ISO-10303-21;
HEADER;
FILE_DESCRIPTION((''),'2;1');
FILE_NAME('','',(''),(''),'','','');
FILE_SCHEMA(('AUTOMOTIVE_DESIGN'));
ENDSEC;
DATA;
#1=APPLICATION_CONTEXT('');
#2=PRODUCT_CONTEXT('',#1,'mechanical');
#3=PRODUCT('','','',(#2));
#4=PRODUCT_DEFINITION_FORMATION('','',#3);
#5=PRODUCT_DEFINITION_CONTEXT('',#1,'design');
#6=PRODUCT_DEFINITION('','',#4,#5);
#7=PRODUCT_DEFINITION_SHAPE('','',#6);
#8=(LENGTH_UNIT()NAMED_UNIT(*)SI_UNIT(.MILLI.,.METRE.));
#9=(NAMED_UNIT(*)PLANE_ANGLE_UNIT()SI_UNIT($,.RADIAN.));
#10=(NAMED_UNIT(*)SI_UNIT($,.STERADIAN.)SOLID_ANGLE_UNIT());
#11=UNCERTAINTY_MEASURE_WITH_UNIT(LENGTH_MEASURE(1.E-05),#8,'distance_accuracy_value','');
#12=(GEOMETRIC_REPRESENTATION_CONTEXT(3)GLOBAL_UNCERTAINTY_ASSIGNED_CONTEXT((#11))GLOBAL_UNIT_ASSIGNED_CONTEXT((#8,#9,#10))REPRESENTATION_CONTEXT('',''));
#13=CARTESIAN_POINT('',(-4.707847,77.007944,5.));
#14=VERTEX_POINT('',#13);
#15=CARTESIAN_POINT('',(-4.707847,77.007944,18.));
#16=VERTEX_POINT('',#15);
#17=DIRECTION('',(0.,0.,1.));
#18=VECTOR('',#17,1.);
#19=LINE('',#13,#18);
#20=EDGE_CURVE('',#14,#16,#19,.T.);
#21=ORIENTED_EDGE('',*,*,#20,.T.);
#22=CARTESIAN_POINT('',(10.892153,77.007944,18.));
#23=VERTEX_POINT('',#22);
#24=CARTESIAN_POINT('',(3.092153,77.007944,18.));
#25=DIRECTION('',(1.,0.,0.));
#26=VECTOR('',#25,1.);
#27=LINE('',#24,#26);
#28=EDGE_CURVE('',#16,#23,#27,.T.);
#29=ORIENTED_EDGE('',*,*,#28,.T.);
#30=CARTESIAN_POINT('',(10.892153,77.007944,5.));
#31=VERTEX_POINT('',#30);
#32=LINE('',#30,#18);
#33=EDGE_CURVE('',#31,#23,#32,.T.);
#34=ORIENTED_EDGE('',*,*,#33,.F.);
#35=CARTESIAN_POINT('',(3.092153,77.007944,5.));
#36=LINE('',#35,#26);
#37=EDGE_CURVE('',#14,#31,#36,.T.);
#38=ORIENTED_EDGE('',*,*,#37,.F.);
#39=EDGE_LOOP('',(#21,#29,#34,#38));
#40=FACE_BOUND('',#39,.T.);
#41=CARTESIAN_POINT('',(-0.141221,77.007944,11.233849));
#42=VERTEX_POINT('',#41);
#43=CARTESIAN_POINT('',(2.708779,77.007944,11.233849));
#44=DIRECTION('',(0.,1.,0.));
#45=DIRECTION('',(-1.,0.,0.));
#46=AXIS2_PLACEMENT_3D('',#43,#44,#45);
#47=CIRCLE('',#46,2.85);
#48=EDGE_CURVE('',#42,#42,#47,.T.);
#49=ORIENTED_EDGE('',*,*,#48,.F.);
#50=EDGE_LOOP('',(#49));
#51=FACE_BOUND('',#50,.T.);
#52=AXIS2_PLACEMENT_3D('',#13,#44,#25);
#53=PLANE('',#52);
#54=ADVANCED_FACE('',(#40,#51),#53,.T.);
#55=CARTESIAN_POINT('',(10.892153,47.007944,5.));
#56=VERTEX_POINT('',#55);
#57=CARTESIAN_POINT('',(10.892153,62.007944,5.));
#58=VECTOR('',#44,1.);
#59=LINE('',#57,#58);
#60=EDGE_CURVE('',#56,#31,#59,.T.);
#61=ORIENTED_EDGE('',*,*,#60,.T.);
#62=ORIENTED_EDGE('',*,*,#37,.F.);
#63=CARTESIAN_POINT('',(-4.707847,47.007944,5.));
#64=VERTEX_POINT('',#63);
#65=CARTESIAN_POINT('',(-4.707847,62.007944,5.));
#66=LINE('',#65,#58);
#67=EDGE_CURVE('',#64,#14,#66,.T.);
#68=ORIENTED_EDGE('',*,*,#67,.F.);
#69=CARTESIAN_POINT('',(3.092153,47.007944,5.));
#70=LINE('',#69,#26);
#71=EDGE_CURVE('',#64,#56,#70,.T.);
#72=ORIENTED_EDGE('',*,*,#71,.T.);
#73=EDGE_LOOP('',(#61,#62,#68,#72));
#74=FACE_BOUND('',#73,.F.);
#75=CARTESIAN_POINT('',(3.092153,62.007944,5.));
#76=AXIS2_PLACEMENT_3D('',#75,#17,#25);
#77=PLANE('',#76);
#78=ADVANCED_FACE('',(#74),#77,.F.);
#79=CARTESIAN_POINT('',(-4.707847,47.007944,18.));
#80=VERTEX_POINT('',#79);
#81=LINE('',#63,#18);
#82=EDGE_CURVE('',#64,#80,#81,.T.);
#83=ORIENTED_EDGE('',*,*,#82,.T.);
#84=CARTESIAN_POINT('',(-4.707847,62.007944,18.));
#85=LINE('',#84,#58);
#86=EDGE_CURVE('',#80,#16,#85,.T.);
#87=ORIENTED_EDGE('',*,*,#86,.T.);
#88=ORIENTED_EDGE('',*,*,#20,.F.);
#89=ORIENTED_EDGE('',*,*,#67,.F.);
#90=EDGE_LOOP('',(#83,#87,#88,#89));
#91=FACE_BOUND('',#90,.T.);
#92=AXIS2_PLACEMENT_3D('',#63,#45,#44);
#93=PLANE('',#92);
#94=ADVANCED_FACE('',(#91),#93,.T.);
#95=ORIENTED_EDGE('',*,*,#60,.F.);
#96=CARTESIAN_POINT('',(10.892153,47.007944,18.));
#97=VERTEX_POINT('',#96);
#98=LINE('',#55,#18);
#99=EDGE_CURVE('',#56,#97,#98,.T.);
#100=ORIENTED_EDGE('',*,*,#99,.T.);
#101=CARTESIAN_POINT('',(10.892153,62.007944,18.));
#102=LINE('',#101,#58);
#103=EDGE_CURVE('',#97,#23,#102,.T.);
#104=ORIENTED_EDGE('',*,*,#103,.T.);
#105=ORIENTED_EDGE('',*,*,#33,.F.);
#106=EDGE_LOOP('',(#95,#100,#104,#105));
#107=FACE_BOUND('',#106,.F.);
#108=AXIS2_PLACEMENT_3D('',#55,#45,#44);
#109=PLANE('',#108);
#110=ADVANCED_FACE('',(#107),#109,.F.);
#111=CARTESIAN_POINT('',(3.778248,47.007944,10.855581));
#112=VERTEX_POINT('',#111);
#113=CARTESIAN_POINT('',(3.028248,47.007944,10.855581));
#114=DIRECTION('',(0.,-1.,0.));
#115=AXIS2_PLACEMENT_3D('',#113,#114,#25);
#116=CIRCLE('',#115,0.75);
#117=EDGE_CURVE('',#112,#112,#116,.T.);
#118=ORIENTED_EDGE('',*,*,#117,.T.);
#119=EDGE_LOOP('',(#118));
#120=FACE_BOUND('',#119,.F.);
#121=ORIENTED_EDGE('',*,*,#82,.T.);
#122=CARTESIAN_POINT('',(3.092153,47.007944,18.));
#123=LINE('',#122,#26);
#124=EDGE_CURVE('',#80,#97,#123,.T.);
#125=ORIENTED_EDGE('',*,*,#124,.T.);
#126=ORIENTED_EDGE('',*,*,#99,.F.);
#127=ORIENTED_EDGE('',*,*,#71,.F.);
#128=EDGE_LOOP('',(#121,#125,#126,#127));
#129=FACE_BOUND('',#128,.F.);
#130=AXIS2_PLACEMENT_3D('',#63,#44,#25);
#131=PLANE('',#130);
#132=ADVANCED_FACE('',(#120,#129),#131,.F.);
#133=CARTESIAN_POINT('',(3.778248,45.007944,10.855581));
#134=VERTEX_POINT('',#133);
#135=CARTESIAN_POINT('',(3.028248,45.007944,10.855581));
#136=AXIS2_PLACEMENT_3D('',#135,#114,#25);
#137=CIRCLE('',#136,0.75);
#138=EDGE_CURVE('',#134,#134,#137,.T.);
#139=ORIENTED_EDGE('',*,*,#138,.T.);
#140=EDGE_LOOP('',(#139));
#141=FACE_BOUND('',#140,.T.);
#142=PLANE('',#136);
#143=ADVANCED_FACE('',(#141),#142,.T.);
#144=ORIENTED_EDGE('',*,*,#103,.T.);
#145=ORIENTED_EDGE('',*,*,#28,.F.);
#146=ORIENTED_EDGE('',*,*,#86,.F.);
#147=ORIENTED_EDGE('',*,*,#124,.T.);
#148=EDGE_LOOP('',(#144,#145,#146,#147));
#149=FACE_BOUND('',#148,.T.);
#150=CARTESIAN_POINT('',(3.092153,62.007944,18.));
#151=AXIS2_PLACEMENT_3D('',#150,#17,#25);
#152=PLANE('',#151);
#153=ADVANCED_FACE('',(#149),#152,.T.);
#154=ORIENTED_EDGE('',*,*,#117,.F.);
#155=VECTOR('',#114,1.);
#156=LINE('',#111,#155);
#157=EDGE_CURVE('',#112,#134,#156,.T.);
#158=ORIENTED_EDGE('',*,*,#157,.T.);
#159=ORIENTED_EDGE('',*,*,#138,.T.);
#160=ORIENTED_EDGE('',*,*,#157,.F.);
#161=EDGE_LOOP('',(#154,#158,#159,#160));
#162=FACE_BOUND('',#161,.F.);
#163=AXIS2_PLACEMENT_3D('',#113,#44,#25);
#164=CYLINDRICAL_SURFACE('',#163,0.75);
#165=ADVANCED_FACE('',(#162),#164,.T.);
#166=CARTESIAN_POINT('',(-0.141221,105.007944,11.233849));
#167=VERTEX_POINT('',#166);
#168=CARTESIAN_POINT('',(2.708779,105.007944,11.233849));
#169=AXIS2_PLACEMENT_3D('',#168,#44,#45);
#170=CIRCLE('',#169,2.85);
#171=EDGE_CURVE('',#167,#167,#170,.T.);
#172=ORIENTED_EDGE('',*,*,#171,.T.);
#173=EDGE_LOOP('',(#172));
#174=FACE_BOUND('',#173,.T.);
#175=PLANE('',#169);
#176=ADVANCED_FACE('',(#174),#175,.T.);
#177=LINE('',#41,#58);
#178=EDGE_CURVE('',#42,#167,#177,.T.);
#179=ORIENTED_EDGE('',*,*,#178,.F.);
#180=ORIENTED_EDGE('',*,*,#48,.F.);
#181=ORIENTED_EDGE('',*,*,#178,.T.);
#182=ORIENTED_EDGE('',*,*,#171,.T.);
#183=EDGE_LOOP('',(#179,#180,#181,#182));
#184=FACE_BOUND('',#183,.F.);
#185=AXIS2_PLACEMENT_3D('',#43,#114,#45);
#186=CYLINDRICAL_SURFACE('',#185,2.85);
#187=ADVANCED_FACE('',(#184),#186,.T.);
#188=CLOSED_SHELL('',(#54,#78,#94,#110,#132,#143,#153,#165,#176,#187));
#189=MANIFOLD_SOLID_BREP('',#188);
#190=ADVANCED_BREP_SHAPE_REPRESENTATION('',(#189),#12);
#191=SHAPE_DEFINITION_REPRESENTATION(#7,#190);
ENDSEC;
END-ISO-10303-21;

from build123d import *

# Parameters (mm, degrees)
SKETCH052_W  = 15.6
SKETCH052_H  = 30
PAD026_DEPTH = 13
SKETCH053_R  = 2.85
PAD027_DEPTH = 28
SKETCH054_R  = 0.75
PAD028_DEPTH = 2


with BuildPart() as part:
    # Sketch052 → Pad026 (new body)
    with BuildSketch(Plane.XY):
        with Locations((3.092153, -5.992056)):
            Rectangle(SKETCH052_W, SKETCH052_H)
    extrude(amount=PAD026_DEPTH)

    # Sketch053 (on Face4 of Pad026) → Pad027 (join)
    with BuildSketch(Plane(origin=(0, 9.007944, 0), x_dir=(-1, 0, 0), z_dir=(0, 1, 0))):
        with Locations((-2.708779, 6.233849)):
            Circle(SKETCH053_R)
    extrude(amount=PAD027_DEPTH)

    # Sketch054 (on Face3 of Pad027) → Pad028 (join)
    with BuildSketch(Plane.XZ.offset(20.992056)):
        with Locations((3.028248, 5.855581)):
            Circle(SKETCH054_R)
    extrude(amount=PAD028_DEPTH)


with BuildPart() as part_1:
    # Body007 placement: moved
    add(part.part.moved(Location((0, 68, 5))))


solid = part_1.part
